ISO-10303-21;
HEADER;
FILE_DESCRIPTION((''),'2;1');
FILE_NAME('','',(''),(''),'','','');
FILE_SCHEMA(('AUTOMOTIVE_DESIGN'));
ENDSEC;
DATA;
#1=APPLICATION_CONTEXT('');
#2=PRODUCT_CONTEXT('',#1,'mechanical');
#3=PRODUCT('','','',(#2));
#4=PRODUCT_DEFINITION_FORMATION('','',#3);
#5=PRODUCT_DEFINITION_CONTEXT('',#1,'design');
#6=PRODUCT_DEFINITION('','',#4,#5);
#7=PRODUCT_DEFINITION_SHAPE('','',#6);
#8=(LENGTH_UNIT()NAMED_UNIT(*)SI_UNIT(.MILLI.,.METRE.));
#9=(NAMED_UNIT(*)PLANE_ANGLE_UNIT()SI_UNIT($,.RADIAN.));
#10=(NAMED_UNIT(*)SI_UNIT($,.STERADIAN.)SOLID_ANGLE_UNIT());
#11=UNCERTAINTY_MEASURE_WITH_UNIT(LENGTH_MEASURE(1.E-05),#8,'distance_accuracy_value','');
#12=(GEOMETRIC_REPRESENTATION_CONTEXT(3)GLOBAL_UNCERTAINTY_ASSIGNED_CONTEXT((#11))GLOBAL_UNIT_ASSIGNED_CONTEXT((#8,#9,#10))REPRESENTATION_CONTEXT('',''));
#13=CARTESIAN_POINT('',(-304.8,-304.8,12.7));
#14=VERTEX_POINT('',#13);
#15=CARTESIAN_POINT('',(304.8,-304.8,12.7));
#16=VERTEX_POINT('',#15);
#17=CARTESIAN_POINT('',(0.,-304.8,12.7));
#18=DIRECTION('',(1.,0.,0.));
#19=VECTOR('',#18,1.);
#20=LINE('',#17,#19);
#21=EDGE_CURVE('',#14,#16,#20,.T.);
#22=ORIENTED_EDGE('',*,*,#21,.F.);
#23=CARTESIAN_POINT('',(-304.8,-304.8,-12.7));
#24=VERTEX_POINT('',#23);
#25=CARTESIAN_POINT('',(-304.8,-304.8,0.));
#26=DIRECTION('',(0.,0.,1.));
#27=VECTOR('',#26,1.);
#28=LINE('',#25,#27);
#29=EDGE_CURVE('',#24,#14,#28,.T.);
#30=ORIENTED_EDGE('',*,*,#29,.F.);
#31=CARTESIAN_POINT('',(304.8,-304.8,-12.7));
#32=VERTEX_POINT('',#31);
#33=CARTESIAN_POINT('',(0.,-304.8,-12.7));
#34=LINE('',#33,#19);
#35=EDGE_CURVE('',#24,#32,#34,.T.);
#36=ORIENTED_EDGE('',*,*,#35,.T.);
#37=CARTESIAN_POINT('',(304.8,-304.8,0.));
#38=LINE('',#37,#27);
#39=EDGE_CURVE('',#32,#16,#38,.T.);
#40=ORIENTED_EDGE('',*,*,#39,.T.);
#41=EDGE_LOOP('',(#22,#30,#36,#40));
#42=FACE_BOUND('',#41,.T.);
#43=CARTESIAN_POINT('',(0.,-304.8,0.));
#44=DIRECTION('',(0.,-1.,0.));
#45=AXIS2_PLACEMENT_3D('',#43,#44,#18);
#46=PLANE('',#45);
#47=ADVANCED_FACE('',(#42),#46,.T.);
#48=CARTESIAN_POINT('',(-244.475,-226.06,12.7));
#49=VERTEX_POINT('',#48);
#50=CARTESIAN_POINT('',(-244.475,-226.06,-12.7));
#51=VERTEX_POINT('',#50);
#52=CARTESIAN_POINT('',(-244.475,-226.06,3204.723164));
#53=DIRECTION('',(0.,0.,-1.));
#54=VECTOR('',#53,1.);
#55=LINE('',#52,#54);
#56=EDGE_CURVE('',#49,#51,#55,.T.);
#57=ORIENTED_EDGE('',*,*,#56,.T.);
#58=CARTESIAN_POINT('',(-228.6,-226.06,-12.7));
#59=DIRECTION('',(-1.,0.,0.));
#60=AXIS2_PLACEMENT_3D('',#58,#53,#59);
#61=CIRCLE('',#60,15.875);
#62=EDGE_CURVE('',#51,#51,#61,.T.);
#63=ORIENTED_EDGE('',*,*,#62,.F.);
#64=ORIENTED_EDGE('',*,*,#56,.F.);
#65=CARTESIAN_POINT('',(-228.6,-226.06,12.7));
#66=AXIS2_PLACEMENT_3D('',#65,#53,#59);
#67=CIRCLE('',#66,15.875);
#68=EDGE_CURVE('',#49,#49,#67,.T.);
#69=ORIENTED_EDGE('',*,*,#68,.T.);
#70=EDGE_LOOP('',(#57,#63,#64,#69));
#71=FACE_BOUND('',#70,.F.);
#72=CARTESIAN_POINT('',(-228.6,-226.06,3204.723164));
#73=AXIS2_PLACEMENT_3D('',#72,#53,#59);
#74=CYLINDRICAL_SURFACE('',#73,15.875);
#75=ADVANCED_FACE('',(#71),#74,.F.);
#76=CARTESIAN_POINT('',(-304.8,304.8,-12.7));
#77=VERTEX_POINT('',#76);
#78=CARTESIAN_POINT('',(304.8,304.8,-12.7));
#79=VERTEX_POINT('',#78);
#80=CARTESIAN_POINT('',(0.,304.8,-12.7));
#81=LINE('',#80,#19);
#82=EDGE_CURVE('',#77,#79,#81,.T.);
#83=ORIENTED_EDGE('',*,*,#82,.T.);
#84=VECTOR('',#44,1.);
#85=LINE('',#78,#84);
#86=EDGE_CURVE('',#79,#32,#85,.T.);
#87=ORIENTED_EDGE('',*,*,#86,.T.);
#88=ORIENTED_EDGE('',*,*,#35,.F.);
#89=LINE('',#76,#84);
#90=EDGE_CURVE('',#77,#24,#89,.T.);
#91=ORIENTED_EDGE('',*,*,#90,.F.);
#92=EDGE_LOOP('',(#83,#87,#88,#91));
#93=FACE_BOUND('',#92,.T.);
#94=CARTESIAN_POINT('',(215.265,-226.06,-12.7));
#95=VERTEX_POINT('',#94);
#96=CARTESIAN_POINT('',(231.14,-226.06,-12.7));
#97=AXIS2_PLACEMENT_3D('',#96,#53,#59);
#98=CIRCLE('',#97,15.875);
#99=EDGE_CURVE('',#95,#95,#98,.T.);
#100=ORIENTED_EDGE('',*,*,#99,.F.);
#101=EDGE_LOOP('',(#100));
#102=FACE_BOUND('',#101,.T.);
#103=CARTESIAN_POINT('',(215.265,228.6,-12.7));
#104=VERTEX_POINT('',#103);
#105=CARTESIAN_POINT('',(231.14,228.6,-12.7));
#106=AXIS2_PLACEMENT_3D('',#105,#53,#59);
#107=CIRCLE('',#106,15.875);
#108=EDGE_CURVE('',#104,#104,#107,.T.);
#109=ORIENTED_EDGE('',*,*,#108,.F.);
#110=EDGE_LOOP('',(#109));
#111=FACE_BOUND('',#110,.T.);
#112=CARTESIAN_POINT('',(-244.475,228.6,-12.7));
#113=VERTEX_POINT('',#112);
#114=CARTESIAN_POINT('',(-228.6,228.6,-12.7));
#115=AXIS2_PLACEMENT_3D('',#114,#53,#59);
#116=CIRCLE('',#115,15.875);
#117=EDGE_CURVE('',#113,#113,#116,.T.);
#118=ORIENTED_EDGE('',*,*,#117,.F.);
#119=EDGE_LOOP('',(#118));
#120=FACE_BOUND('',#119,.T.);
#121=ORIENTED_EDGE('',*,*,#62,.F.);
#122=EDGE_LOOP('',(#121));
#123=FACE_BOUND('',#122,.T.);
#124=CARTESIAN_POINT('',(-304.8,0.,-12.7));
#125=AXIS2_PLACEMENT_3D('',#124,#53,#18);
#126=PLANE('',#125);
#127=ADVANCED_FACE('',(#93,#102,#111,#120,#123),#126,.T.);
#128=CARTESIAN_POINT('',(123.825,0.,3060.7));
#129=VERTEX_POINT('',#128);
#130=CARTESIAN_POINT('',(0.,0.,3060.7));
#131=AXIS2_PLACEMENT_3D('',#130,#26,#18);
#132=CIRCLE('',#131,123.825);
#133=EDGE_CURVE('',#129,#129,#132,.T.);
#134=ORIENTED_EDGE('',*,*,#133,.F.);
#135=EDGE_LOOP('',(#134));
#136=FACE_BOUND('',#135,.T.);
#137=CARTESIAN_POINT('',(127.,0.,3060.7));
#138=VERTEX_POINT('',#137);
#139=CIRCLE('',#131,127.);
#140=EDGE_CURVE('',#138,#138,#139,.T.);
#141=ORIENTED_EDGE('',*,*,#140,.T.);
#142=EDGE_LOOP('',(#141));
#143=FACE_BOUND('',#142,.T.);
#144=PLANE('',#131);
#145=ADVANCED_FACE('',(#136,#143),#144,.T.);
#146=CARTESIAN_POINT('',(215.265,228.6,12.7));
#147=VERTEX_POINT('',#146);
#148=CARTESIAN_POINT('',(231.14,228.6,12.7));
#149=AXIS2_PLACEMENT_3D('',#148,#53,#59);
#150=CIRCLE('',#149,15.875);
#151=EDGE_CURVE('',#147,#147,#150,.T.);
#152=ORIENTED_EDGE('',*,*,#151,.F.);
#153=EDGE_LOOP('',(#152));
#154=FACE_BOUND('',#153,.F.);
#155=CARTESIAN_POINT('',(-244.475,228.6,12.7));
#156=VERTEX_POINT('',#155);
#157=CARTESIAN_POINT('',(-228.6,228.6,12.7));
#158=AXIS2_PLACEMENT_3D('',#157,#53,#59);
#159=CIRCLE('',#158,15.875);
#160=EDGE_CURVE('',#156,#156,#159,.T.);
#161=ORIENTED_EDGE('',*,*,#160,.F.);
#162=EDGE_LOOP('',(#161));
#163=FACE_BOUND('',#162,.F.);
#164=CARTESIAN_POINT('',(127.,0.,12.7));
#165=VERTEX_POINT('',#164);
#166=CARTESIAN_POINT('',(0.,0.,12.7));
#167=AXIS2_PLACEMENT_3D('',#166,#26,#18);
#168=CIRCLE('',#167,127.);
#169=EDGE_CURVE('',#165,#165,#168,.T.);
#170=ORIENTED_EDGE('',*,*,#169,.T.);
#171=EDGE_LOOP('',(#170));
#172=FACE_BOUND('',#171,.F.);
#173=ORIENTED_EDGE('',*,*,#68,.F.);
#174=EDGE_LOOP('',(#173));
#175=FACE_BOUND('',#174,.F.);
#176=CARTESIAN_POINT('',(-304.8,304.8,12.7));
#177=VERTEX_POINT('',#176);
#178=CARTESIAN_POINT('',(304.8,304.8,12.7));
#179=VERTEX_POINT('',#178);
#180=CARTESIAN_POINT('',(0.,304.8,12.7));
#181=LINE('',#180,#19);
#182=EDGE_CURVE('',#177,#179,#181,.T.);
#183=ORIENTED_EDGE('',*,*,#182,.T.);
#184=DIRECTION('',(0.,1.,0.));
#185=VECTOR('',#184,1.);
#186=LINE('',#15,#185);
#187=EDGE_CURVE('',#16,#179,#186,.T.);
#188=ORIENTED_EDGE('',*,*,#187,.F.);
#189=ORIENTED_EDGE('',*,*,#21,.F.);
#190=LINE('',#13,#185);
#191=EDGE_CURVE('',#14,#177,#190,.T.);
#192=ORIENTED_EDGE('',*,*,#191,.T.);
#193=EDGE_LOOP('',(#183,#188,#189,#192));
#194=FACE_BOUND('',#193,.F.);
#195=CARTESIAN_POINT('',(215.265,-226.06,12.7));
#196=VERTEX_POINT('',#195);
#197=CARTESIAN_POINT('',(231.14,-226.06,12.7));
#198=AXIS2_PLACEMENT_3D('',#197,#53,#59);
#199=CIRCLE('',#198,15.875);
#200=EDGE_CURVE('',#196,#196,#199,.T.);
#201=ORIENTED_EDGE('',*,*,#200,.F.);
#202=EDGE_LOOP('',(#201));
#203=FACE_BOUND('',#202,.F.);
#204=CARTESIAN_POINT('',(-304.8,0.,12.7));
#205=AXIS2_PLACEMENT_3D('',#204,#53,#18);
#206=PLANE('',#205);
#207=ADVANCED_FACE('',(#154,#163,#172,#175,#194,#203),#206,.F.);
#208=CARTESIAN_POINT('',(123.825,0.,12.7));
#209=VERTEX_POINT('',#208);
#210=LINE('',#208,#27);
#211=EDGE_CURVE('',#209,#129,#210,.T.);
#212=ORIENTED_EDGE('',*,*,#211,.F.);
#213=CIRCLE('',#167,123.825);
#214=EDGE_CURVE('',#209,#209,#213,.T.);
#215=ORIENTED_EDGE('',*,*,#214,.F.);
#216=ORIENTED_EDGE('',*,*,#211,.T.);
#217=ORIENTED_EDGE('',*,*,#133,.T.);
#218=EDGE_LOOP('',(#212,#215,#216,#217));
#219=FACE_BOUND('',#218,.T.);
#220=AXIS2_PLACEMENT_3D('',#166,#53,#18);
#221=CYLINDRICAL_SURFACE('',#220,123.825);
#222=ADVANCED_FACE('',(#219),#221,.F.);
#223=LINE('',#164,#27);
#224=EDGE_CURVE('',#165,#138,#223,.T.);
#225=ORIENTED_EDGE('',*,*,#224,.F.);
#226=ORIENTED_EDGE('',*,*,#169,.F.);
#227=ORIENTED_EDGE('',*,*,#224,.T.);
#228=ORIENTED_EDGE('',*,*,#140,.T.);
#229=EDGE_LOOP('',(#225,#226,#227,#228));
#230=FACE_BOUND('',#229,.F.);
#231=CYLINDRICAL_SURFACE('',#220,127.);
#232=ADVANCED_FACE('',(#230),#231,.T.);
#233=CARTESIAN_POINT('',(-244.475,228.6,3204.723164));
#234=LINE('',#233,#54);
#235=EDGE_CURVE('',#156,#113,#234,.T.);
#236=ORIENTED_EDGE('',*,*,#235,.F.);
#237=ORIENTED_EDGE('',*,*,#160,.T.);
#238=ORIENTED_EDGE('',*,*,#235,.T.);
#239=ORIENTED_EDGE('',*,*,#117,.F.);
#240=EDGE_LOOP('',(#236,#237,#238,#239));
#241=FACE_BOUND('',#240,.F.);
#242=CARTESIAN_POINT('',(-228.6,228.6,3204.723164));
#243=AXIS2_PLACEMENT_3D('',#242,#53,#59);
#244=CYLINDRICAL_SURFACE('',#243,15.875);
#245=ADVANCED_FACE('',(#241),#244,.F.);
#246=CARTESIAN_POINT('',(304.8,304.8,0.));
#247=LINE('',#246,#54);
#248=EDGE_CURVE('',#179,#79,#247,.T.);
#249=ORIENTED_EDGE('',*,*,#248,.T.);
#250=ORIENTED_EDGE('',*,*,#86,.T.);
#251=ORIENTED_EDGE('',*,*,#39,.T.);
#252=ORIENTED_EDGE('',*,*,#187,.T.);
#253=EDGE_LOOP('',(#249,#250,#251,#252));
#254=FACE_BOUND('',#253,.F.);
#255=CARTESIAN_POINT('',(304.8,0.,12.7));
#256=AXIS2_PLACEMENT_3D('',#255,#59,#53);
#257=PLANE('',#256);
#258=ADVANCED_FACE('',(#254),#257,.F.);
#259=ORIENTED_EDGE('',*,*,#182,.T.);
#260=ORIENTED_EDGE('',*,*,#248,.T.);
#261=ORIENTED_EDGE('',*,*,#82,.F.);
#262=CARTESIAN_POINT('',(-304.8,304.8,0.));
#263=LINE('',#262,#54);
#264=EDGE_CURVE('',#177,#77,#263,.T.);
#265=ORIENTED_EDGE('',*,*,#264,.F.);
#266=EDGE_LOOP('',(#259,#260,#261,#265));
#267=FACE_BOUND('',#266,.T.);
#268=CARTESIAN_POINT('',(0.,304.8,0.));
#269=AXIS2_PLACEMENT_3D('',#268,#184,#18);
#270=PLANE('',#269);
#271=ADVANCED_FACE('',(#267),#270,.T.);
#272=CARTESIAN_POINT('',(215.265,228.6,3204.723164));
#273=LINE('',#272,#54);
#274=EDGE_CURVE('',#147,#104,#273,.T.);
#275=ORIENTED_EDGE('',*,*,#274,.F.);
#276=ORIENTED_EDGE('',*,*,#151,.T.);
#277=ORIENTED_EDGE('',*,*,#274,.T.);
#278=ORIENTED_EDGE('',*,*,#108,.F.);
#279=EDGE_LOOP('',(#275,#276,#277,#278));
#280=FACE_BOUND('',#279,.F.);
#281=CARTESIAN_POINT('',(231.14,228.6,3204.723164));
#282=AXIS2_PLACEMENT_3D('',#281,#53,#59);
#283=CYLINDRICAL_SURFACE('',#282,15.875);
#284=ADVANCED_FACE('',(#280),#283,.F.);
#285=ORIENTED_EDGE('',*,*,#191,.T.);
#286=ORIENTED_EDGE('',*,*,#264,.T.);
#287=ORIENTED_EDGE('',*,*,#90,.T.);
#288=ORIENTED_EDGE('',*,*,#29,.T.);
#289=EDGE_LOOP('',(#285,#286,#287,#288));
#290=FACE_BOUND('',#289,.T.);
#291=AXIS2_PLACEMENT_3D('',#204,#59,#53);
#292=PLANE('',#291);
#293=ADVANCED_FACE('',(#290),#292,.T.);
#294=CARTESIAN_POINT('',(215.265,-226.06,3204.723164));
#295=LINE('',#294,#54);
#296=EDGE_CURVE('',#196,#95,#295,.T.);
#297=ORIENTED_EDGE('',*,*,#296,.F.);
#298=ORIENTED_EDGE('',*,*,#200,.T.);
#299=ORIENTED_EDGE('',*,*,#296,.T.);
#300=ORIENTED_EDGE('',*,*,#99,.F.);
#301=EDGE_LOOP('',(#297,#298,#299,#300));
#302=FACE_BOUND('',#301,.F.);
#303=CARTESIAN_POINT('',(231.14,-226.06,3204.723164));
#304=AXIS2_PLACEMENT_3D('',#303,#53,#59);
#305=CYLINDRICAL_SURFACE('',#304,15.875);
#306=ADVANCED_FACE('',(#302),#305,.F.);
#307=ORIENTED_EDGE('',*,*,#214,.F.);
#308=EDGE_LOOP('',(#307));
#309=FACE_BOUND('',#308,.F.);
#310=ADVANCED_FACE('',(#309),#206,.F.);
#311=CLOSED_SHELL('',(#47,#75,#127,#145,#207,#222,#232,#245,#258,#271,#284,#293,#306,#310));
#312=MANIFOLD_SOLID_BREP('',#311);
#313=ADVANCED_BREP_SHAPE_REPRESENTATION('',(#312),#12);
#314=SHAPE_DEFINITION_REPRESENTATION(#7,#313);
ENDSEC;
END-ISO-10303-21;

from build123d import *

# Parameters (mm, degrees)
F0_W      = 609.6
F0_H      = 25.4
F1_DEPTH  = 304.8
F1_FACE_W = 609.6
F1_FACE_H = 25.4
F2_DEPTH  = 304.8
F3_R      = 127
F3_R_2    = 123.825
F4_DEPTH  = 3048
F6_D      = 31.75


with BuildPart() as f1:
    # F0 (on Front) → F1 (new body)
    with BuildSketch(Plane.XZ):
        Rectangle(F0_W, F0_H)
    extrude(amount=F1_DEPTH)

    # F1_face (on face) → F2 (join)
    with BuildSketch(Plane(origin=(0, 0, 0), x_dir=(1, 0, 0), z_dir=(0, 1, 0))):
        Rectangle(F1_FACE_W, F1_FACE_H)
    extrude(amount=F2_DEPTH)

    # F3 (on face) → F4 (join)
    with BuildSketch(Plane.XY.offset(12.7)):
        Circle(F3_R)
        Circle(F3_R_2, mode=Mode.SUBTRACT)
    extrude(amount=F4_DEPTH)

    # F6 (through all)
    with Locations(Plane.XY.offset(12.7)):
        with Locations((-228.6, 228.6), (-228.6, -226.06), (231.14, -226.06), (231.14, 228.6)):
            Hole(F6_D / 2)


solid = f1.part
